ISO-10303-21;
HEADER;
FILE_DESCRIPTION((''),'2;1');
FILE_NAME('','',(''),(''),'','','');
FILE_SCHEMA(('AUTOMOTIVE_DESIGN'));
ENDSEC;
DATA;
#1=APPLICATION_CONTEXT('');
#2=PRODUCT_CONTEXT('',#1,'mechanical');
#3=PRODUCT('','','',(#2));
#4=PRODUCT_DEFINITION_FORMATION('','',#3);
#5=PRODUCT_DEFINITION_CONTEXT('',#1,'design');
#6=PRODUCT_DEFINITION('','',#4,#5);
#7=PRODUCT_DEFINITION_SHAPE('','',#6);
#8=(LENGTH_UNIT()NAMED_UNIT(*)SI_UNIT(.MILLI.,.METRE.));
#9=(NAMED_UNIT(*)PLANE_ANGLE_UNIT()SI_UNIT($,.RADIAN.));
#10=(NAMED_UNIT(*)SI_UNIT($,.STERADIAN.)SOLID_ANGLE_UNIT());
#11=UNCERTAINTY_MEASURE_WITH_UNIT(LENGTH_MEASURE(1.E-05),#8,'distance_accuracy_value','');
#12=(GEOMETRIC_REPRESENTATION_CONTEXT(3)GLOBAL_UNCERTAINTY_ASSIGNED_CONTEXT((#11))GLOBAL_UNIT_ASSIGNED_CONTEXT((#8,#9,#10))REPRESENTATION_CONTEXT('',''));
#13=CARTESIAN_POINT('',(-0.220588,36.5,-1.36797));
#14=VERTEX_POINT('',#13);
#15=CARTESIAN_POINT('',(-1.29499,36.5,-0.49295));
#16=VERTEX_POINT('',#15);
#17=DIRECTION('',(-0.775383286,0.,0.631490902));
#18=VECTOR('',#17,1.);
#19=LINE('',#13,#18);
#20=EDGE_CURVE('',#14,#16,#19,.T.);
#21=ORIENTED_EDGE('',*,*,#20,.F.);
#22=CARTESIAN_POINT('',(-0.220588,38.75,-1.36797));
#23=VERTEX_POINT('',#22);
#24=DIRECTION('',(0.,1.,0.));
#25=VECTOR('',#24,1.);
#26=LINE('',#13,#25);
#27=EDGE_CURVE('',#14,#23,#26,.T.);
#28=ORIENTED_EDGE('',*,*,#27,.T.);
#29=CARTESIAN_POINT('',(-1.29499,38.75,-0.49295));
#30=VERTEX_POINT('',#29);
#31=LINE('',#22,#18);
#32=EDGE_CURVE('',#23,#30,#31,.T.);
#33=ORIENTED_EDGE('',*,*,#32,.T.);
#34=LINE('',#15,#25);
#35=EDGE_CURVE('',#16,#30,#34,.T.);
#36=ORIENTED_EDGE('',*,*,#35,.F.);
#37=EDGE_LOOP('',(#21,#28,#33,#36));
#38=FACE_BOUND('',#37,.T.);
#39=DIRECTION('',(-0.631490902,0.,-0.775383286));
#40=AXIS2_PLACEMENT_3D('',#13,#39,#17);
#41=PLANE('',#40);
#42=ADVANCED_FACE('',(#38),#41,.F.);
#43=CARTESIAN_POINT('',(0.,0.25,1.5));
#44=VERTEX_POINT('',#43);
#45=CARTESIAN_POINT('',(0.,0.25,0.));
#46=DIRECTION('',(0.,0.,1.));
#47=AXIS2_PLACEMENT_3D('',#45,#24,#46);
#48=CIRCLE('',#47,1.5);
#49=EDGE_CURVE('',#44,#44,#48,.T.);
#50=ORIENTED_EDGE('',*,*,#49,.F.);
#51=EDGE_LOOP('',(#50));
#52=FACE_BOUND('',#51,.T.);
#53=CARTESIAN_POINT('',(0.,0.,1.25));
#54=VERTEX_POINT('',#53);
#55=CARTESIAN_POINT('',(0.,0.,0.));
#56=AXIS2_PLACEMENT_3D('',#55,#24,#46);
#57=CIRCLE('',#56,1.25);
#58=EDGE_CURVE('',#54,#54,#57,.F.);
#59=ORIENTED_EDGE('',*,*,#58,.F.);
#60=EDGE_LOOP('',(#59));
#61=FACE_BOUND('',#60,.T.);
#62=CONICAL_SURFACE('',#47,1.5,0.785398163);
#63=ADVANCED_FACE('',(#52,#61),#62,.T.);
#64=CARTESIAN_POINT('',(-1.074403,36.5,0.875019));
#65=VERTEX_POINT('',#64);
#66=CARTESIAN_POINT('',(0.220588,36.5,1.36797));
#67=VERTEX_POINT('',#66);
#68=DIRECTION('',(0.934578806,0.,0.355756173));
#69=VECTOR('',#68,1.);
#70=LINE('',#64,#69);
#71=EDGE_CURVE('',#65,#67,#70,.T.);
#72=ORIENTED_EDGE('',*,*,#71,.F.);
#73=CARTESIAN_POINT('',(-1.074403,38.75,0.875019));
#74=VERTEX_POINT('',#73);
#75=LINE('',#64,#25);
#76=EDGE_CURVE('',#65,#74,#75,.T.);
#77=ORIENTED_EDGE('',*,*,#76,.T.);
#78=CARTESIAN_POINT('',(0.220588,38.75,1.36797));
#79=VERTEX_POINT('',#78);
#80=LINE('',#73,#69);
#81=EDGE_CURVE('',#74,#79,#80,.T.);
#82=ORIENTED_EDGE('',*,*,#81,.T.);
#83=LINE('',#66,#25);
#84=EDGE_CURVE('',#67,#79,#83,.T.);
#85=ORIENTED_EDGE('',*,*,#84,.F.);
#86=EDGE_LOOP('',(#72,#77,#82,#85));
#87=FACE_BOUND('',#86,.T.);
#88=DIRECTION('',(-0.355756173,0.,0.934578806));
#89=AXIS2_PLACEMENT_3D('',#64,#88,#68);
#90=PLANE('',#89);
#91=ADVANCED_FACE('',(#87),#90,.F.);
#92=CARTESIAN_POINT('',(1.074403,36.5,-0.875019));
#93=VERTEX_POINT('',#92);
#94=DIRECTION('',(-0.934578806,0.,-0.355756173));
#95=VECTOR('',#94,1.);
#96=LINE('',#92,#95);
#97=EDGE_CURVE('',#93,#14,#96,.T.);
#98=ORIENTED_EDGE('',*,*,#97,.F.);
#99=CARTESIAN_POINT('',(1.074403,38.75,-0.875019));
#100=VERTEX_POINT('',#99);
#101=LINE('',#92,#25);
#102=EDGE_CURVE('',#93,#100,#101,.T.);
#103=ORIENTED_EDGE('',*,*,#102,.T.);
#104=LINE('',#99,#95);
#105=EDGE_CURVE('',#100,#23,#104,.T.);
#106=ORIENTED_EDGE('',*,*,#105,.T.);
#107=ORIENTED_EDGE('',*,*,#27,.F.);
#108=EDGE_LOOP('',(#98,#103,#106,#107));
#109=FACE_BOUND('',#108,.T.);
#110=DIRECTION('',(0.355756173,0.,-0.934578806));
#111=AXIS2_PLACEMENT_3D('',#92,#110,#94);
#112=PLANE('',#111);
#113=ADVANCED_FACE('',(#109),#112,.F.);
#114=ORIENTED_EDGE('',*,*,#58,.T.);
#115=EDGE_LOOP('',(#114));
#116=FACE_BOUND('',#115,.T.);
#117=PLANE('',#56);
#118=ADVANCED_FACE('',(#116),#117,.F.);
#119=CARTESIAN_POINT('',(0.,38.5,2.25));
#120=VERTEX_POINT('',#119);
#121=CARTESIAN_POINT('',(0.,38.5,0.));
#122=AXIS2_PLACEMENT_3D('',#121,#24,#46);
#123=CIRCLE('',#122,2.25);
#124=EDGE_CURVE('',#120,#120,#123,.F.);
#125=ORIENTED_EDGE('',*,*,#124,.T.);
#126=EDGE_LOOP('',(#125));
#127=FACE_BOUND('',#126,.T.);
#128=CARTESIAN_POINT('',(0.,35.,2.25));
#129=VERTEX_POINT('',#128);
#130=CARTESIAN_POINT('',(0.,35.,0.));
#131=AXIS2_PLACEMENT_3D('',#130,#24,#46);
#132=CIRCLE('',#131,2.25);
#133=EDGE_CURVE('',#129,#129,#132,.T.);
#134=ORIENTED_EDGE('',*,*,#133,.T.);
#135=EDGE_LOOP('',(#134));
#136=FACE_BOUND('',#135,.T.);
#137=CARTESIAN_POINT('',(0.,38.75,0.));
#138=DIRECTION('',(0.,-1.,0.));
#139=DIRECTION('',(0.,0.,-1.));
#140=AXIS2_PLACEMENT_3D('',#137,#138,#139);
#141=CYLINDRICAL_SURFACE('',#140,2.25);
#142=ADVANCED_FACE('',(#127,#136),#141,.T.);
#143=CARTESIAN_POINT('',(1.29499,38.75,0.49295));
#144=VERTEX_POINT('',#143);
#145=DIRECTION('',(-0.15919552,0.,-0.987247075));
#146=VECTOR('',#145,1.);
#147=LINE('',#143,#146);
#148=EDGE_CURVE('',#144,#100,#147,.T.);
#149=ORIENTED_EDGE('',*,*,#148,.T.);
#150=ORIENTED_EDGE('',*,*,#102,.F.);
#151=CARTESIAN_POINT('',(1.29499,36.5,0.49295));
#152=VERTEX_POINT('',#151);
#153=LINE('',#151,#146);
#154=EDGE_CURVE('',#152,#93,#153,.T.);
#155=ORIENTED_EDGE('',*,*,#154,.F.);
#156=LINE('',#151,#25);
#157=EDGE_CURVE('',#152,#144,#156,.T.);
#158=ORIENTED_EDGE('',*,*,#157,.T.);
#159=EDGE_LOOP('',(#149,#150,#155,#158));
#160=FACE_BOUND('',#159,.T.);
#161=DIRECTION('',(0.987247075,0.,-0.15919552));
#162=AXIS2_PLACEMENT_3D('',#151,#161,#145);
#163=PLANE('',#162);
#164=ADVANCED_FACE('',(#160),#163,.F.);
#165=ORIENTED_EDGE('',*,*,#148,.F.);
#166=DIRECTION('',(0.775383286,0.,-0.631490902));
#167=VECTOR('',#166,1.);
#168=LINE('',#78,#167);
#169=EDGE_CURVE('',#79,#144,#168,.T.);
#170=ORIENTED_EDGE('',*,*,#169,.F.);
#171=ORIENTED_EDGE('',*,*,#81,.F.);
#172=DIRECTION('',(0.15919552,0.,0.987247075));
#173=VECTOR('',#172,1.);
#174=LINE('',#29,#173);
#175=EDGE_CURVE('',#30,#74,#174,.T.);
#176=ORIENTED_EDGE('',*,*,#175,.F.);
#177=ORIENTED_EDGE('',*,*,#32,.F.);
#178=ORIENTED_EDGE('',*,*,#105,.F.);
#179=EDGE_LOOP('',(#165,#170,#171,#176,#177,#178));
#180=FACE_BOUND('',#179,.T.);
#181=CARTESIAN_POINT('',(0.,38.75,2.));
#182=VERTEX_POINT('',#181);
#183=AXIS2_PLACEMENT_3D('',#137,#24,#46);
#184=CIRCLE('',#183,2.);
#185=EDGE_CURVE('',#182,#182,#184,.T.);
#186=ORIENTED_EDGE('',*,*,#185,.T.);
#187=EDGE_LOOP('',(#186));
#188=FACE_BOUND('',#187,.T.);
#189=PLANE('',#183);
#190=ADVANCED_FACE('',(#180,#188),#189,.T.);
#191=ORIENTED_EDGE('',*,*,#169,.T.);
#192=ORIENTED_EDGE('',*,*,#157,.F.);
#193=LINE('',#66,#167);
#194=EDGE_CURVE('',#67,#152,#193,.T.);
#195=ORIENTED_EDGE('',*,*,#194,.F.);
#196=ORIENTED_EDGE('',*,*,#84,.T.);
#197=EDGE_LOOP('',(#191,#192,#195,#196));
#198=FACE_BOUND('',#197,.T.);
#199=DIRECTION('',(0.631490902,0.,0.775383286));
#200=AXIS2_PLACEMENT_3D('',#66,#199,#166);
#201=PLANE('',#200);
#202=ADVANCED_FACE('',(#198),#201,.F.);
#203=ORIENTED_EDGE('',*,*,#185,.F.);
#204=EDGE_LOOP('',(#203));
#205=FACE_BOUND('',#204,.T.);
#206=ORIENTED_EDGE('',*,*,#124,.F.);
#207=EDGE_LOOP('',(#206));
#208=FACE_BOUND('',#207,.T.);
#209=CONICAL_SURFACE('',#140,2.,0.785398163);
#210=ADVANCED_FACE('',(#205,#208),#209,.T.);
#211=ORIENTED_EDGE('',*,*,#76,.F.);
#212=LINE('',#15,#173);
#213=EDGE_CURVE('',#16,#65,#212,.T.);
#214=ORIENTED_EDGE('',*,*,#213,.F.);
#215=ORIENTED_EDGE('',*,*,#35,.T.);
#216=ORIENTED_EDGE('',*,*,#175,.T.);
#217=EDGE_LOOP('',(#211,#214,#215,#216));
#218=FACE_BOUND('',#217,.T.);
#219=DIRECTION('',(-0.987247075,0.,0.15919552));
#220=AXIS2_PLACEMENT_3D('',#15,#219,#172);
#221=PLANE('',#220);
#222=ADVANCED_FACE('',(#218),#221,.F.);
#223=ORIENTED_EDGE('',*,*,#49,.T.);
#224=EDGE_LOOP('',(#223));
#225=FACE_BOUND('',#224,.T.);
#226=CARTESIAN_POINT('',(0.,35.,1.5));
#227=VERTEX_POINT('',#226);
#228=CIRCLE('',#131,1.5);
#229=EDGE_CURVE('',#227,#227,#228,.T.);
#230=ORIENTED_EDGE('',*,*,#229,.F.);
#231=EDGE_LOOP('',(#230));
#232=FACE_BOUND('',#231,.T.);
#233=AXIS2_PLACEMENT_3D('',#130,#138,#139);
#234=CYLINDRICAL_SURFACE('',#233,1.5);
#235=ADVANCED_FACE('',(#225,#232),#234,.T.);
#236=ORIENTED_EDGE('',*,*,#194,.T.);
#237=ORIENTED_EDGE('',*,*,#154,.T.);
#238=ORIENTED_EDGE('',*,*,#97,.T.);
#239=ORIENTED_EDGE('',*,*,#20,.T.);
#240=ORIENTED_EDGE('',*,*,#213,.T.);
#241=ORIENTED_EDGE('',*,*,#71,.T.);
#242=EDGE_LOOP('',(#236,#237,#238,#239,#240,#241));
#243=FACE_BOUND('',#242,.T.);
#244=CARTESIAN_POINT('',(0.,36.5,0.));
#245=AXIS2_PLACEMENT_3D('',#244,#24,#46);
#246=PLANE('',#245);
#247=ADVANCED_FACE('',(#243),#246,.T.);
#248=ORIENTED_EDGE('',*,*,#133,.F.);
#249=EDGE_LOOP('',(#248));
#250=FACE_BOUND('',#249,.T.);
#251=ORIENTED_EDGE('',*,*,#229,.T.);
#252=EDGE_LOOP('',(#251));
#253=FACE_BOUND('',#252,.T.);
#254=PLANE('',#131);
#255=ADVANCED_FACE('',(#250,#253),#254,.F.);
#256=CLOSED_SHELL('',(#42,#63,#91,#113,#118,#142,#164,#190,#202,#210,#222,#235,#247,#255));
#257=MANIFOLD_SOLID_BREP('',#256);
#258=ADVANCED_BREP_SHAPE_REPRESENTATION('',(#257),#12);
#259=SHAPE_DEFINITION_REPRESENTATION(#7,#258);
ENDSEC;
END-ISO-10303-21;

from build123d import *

# Parameters (mm, degrees)
SKICA1_R                 = 1.5
P_IDAT_VYSUNUT_M1_DEPTH  = 35
SKICA2_R                 = 2.25
P_IDAT_VYSUNUT_M2_DEPTH  = 3.75
ODEBRAT_VYSUNUT_M1_DEPTH = 2.25
ZKOSEN_1_SIZE            = 0.25
ZKOSEN_2_SIZE            = 0.25


with BuildPart() as part:
    # Skica1 → Přidat vysunutím1 (new body)
    with BuildSketch(Plane(origin=(0, 0, 0), x_dir=(1, 0, 0), z_dir=(0, 1, 0))):
        with Locations(Location((0, 0, 0), (0, 0, 270))):
            Circle(SKICA1_R)
    extrude(amount=P_IDAT_VYSUNUT_M1_DEPTH)

    # Skica2 → Přidat vysunutím2 (add)
    with BuildSketch(Plane(origin=(0, 35, 0), x_dir=(1, 0, 0), z_dir=(0, 1, 0))):
        with Locations(Location((0, 0, 0), (0, 0, 270))):
            Circle(SKICA2_R)
    extrude(amount=P_IDAT_VYSUNUT_M2_DEPTH)

    # Skica3 → Odebrat vysunutím1 (cut)
    with BuildSketch(Plane(origin=(0, 38.75, 0), x_dir=(1, 0, 0), z_dir=(0, 1, 0))):
        Polygon((-1.074402598, -0.875019461), (0.220587783, -1.367969674), (1.294990381, -0.492950213), (1.074402598, 0.875019461), (-0.220587783, 1.367969674), (-1.294990381, 0.492950213), align=None)
    extrude(amount=-ODEBRAT_VYSUNUT_M1_DEPTH, mode=Mode.SUBTRACT)

    # Zkosení1
    zkosen_1_edges = [part.edges().sort_by_distance(p)[0] for p in [
        (0, 38.75, -2.25),
    ]]
    chamfer(zkosen_1_edges, length=ZKOSEN_1_SIZE)

    # Zkosení2
    zkosen_2_edges = [part.edges().sort_by_distance(p)[0] for p in [
        (0, 0, -1.5),
    ]]
    chamfer(zkosen_2_edges, length=ZKOSEN_2_SIZE)


solid = part.part
